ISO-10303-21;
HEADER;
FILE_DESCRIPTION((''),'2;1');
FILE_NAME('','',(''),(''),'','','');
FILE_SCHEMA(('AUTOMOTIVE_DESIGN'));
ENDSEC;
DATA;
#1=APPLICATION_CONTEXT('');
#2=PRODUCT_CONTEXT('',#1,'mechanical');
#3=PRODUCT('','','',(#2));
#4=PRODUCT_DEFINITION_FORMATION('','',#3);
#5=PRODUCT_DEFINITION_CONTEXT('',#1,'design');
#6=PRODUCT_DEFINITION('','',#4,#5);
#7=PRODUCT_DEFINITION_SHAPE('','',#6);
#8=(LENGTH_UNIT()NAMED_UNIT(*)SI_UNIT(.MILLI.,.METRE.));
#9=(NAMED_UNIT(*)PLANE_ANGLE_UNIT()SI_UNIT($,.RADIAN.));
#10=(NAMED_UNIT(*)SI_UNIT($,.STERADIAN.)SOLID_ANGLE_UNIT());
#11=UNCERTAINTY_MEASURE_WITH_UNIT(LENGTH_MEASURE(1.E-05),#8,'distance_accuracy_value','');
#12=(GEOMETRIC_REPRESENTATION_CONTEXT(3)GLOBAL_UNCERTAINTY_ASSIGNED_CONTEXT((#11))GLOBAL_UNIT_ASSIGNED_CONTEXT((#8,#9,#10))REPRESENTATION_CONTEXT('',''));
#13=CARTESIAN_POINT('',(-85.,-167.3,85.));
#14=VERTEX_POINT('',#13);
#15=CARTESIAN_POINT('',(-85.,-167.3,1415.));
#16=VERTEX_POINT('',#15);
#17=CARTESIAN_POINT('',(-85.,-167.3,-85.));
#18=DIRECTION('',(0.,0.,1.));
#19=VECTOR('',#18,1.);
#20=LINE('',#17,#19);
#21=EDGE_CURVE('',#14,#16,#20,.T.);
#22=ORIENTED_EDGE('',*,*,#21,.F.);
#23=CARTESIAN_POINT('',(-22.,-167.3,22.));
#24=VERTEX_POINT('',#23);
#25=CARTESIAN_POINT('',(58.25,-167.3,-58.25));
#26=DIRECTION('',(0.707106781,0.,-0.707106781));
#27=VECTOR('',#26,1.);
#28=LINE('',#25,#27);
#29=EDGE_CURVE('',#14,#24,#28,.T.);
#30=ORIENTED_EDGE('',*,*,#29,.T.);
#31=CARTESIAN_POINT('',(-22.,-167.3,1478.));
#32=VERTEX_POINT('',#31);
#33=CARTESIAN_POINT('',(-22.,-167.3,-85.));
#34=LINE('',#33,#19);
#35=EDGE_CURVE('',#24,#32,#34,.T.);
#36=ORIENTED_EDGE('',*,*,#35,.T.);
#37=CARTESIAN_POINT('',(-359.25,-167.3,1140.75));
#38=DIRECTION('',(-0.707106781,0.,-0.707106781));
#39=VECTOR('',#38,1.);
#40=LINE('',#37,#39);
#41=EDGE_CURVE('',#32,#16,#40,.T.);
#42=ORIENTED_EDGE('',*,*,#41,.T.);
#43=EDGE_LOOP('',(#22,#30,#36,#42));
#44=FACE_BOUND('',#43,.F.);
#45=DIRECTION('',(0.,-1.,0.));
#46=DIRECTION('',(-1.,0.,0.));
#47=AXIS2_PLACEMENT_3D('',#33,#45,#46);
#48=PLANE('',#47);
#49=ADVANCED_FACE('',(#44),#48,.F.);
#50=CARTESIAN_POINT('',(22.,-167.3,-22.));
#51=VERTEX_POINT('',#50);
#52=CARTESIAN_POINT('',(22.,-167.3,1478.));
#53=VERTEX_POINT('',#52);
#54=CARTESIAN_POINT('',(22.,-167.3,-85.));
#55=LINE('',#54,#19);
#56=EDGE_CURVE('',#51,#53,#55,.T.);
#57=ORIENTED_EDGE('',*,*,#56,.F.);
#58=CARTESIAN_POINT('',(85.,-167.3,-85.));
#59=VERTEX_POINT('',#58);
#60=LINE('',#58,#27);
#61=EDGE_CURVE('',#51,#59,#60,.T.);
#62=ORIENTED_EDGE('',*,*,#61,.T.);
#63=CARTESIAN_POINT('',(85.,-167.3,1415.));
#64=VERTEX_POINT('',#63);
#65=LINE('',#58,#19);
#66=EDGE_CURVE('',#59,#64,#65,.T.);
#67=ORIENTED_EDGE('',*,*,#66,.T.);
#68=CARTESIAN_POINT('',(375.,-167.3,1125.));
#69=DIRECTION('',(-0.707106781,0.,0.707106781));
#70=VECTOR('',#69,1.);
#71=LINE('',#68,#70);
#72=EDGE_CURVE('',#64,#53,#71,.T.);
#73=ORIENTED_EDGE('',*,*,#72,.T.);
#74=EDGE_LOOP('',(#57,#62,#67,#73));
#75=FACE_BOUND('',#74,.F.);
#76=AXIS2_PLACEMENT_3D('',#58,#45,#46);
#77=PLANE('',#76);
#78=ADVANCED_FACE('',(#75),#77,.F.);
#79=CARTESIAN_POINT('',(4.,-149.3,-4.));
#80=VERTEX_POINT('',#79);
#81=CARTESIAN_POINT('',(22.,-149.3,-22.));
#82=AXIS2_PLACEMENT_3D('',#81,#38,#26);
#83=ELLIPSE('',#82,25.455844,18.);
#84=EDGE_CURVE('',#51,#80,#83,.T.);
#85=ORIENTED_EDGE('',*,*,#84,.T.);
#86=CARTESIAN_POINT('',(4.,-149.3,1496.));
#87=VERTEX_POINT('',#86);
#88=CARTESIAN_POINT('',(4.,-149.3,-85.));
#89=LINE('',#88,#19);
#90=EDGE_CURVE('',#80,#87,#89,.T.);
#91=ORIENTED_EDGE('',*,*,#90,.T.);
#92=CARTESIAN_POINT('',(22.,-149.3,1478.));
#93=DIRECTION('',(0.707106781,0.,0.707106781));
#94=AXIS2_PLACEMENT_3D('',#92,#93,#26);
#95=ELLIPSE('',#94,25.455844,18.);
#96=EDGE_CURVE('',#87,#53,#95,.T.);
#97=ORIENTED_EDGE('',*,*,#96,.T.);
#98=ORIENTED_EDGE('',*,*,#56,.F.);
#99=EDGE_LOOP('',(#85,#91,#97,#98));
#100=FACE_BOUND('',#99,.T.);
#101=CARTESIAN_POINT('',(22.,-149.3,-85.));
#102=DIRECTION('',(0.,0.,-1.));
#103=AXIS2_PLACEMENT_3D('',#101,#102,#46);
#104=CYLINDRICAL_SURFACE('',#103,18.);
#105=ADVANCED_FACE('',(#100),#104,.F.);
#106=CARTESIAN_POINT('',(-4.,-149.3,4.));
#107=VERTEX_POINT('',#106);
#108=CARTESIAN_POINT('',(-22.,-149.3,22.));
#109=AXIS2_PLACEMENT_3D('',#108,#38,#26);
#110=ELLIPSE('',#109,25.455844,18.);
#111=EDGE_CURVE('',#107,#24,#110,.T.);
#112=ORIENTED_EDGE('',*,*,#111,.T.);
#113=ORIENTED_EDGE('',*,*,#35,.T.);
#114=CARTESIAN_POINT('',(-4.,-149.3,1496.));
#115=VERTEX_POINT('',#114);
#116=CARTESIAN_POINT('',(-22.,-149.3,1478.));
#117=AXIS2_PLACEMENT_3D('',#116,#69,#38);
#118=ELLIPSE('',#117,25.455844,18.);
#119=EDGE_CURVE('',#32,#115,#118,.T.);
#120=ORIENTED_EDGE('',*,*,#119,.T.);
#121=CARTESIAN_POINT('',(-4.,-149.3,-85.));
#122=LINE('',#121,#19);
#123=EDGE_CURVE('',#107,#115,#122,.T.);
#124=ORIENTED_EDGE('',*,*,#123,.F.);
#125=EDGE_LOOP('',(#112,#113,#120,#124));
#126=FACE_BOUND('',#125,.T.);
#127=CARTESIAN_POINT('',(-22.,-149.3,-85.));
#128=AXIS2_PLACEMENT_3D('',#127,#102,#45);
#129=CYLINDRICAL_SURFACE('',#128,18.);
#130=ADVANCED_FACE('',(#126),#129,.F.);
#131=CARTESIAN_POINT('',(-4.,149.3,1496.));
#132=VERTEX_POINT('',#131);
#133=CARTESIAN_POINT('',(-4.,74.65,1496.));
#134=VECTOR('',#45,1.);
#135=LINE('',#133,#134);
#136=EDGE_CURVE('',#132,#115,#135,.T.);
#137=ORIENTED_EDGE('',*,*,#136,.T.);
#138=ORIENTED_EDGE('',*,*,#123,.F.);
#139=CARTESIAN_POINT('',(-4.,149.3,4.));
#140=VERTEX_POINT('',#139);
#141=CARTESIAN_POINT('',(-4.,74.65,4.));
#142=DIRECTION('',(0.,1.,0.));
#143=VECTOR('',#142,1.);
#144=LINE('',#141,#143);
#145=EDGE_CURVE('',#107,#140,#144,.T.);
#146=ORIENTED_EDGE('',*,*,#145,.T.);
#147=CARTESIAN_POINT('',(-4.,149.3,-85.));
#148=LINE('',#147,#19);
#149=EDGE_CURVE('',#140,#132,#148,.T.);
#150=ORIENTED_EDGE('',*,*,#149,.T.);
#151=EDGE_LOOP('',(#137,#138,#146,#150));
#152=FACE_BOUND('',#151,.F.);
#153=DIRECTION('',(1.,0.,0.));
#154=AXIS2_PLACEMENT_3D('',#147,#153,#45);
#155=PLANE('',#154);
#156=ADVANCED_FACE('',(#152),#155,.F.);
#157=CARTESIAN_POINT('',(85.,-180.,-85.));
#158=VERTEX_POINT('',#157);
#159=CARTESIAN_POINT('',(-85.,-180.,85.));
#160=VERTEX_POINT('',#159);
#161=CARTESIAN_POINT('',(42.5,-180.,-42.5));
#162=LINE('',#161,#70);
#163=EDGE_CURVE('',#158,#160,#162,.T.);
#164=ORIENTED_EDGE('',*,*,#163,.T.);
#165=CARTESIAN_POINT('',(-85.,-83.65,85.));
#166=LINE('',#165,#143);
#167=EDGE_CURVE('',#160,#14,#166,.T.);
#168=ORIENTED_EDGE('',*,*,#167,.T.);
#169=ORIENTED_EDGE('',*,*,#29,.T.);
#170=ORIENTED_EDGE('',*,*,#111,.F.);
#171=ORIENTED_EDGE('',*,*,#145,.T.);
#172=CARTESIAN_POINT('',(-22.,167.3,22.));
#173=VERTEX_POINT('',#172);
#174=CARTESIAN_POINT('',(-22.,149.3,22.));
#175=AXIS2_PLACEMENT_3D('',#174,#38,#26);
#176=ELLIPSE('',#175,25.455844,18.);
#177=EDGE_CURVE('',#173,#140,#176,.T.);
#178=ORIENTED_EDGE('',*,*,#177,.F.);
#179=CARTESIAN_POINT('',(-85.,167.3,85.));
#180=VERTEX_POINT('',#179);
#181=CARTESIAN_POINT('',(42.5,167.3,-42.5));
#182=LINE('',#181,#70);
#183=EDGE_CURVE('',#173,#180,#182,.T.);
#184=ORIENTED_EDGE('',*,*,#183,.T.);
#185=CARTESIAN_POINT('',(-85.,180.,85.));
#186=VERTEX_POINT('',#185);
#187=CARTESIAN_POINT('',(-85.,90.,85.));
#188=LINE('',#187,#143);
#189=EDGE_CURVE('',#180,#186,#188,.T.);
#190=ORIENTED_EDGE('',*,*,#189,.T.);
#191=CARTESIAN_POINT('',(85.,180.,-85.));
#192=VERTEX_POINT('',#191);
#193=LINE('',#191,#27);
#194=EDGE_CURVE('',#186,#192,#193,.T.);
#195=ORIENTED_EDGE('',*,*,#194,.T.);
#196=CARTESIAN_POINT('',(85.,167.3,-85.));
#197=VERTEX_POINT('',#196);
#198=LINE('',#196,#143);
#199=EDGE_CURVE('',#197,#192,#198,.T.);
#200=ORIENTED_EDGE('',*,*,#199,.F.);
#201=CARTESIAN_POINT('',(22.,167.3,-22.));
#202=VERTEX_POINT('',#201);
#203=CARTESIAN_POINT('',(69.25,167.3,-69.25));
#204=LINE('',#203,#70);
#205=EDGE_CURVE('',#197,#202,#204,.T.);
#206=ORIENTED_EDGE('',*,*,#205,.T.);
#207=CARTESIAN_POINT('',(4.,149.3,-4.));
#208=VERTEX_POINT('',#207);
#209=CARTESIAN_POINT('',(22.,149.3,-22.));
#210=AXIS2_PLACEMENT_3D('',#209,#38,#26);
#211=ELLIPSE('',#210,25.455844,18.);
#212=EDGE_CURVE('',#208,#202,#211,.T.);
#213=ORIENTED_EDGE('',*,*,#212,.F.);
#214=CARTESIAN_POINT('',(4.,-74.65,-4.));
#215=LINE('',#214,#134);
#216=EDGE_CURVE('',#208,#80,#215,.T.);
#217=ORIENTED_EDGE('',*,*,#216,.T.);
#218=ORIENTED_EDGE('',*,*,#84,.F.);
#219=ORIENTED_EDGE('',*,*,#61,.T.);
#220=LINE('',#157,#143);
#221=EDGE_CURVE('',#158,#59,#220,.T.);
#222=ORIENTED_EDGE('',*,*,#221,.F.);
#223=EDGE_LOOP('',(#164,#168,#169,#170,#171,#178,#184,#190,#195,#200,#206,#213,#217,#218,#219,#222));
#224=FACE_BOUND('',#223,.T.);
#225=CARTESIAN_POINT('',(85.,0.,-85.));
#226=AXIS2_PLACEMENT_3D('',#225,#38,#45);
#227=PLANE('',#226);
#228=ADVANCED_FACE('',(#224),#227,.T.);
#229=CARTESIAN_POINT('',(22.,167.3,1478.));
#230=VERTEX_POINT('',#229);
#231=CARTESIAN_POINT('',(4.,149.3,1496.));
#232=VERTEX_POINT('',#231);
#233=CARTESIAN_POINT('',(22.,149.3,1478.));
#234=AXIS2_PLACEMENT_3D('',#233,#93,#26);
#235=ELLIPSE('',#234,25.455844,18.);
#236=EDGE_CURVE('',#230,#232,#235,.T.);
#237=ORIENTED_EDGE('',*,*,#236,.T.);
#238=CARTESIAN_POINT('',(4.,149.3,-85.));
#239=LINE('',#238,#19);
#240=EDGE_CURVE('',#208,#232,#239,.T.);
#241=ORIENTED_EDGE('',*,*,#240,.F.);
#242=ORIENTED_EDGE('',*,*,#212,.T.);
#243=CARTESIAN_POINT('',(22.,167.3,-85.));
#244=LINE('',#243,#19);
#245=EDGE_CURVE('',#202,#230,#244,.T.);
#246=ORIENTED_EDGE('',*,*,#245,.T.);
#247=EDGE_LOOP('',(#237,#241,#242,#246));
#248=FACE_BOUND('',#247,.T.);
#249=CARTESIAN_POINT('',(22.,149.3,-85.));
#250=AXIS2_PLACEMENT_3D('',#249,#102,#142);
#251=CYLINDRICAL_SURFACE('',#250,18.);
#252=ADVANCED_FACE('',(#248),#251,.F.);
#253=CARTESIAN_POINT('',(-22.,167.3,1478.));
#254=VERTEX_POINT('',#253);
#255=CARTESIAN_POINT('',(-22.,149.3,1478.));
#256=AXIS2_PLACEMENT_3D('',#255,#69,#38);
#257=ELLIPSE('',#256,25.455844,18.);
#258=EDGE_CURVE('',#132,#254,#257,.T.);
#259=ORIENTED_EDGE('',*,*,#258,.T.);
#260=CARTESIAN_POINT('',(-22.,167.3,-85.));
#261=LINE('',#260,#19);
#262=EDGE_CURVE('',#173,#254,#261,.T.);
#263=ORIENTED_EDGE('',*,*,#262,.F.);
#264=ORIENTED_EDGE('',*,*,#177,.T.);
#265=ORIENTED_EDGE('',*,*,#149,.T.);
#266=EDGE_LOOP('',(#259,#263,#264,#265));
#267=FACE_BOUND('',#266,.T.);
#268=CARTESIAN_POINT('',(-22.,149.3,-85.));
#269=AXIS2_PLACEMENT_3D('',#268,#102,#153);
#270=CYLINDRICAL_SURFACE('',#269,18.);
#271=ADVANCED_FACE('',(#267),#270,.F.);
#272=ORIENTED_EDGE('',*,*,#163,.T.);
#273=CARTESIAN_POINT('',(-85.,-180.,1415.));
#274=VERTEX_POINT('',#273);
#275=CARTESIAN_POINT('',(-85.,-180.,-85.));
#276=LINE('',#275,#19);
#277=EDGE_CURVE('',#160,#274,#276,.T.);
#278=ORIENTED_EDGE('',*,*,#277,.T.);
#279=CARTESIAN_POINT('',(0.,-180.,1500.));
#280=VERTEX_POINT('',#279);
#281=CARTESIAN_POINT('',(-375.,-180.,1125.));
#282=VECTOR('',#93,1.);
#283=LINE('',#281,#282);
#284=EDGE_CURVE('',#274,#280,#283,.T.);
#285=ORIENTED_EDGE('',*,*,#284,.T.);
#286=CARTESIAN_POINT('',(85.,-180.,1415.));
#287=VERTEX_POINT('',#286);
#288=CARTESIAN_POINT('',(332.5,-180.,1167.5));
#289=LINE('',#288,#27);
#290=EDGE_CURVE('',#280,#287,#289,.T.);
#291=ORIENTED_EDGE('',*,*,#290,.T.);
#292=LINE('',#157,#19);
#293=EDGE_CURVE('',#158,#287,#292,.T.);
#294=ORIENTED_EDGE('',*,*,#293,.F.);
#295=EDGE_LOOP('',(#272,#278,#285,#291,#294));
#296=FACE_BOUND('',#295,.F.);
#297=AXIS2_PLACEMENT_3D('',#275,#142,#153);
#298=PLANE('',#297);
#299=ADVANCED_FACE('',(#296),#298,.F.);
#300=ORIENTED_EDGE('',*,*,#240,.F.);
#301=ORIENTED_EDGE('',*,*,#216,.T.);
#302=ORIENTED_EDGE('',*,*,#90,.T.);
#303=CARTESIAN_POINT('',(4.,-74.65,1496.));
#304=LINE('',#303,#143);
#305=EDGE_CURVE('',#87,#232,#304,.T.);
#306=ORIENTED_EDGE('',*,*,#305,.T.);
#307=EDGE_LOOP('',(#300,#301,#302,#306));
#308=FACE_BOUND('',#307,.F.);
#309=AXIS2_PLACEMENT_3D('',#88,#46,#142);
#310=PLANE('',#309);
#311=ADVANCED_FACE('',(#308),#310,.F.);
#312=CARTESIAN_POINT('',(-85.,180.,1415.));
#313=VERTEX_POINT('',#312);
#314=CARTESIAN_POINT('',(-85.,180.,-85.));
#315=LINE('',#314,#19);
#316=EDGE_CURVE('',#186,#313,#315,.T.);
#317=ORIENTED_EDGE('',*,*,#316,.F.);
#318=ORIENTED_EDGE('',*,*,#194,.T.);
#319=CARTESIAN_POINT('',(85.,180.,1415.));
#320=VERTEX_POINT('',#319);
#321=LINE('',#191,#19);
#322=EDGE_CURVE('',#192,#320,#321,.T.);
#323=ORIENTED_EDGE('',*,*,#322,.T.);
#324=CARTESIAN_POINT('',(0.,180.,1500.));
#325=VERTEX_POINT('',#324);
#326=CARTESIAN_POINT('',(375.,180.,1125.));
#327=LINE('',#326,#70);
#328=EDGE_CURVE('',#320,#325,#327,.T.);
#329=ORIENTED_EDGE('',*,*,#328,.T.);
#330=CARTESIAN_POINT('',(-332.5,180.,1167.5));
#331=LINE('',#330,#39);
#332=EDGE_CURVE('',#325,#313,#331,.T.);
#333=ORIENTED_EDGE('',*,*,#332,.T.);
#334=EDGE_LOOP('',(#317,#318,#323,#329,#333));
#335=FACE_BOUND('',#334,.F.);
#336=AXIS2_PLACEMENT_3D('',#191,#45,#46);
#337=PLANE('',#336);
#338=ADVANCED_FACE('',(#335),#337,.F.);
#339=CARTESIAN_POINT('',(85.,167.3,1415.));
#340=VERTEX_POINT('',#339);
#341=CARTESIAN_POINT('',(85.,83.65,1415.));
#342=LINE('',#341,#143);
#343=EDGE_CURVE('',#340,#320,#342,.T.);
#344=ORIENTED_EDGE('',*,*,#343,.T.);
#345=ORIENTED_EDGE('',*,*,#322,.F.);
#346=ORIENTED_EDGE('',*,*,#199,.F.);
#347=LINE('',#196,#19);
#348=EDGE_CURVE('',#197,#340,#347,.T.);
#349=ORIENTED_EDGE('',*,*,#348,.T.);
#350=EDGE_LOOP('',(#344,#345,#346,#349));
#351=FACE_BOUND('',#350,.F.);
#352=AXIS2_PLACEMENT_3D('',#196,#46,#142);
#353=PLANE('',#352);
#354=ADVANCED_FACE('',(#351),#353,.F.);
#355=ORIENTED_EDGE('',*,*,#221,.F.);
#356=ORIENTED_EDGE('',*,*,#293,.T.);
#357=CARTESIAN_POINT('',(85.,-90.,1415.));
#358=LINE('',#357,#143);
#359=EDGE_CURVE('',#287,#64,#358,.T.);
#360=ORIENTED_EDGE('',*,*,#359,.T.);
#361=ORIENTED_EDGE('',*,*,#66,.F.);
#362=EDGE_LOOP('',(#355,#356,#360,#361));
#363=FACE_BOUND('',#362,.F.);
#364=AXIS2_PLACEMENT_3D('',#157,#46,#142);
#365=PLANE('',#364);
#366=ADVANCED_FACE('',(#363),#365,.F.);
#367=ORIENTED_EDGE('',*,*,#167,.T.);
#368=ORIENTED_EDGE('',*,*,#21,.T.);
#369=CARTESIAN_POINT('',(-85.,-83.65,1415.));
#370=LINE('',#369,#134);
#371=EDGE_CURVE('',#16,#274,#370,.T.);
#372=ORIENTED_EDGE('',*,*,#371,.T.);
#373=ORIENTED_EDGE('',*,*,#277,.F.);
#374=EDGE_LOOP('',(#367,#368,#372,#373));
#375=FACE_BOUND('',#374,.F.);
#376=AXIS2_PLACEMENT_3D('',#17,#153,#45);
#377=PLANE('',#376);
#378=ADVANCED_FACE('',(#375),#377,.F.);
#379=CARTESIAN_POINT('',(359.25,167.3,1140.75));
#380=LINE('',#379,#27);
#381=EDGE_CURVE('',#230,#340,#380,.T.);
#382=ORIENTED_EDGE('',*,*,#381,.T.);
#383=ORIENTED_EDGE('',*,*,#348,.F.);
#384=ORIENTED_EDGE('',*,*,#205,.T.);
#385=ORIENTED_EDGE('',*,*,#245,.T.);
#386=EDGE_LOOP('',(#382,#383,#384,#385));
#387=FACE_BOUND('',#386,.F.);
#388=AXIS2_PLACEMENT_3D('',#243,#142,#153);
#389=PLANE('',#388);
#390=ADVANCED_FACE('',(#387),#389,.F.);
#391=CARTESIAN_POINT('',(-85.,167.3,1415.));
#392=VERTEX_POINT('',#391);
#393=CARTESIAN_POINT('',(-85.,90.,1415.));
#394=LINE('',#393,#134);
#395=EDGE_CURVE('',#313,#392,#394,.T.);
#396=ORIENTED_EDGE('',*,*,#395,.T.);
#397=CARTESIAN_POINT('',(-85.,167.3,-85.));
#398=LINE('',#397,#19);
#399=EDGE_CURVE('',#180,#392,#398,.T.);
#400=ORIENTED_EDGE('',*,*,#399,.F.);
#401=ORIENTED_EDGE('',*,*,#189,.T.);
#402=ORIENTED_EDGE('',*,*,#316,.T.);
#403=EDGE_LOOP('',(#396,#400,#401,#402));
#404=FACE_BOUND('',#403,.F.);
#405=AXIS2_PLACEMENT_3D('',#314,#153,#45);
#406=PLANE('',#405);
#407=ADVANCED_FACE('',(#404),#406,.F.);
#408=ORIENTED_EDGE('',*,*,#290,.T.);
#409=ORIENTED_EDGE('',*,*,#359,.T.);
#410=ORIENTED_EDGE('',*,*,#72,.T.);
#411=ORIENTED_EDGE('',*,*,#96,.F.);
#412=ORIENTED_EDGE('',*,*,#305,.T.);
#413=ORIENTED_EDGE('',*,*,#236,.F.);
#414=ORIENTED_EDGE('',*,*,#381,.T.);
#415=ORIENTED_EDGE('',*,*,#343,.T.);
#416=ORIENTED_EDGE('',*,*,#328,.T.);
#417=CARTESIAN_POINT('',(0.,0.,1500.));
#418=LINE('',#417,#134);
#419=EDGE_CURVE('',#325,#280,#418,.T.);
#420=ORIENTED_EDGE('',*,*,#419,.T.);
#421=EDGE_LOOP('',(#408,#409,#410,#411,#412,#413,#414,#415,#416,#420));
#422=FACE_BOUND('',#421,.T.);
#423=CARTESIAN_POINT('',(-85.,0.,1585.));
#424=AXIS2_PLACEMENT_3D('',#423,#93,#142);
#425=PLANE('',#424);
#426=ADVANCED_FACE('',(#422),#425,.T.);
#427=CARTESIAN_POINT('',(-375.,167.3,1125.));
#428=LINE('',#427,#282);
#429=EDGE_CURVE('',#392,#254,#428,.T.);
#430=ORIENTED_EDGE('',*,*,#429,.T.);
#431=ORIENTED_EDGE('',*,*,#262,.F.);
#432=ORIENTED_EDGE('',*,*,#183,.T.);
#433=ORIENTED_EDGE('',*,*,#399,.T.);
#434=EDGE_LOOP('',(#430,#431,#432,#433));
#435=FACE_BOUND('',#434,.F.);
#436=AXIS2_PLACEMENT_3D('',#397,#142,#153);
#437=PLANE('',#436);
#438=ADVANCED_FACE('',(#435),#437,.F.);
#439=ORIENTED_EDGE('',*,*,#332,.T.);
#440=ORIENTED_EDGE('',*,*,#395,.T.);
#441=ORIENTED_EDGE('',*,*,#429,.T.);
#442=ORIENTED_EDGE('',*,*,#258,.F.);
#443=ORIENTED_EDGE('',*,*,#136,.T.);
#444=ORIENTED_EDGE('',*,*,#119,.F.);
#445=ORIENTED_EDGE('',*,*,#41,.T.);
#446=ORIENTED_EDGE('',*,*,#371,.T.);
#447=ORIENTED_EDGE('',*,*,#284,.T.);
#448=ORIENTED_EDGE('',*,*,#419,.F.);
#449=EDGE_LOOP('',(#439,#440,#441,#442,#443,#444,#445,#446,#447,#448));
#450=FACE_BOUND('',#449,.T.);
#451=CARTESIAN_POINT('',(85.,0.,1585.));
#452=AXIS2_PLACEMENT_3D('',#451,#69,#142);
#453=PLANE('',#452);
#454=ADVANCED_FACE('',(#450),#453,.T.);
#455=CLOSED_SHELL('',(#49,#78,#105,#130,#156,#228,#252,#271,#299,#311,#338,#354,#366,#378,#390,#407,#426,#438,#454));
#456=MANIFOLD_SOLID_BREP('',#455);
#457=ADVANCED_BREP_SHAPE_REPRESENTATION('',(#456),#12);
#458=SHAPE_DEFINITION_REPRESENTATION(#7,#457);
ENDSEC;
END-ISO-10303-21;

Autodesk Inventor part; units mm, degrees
ref_plane "Start Plane" through (0, 0, -85) normal (0, 0, 1) x (1, 0, 0)
ref_plane "End Plane" through (0, 0, 1500) normal (0, 0, 1) x (1, 0, 0)
sketch "Sketch" plane through (0, 0, 0) normal (0, 0, 1) x (1, 0, 0)
  line L0 (-85, 167.3) -> (-22, 167.3)
  line L1 (-85, 180) -> (-85, 167.3)
  line L2 (85, 180) -> (-85, 180)
  line L3 (85, 167.3) -> (85, 180)
  line L4 (22, 167.3) -> (85, 167.3)
  line L5 (4, -149.3) -> (4, 149.3)
  line L6 (85, -167.3) -> (22, -167.3)
  line L7 (85, -180) -> (85, -167.3)
  line L8 (-85, -167.3) -> (-85, -180)
  line L9 (-22, -167.3) -> (-85, -167.3)
  line L10 (-4, 149.3) -> (-4, -149.3)
  line L11 (0, -252) -> (0, 252) construction
  line L12 (-4, -167.3) -> (4, -167.3) construction
  arc A0 (-22, -167.3) -> (-4, -149.3) centre (-22, -149.3) ccw
  arc A1 (-4, 149.3) -> (-22, 167.3) centre (-22, 149.3) ccw
  arc A2 (22, 167.3) -> (4, 149.3) centre (22, 149.3) ccw
  arc A3 (4, -149.3) -> (22, -167.3) centre (22, -149.3) ccw
  line L13 (-119, 0) -> (119, 0) construction
  line L14 (-85, -180) -> (85, -180)
  point P0 (-4, 167.3)
  point P1 (4, 167.3)
  point P2 (0, 0)
  point P3 (0, -167.3)
  point P4 (0, 0)
  dimension "d1" = 360
  dimension "d3" = 12.7
  dimension "d5" = 8
  dimension "d7" = 170
  dimension "d13" = 18
  dimension "d14" = 180
  dimension "d15" = 85
extrude "Body" add sketch "Sketch" along normal up to surface (1585 mm away) from surface at -85
sketch "Sketch3" plane through (0, 0, 0) normal (0, 0, 1) x (1, 0, 0)
  line L0 (0, 0) -> (10, 0)
ref_plane "Work Plane3" through (0, 0, 0) normal (0, -1, 0) x (1, 0, 0)
ref_plane "Work Plane4" through (85, 0, 1585) normal (-0.7071, 0, 0.7071) x (0.7071, 0, 0.7071)
split "Split1" plane through (85, 0, 1585) removes the side toward (-0.7071, 0, 0.7071)
ref_plane "Work Plane5" through (85, 0, -85) normal (-0.7071, 0, -0.7071) x (-0.7071, 0, 0.7071)
split "Split2" plane through (85, 0, -85) removes the side toward (-0.7071, 0, -0.7071)
ref_plane "Work Plane6" through (-85, 0, 1585) normal (0.7071, 0, 0.7071) x (0.7071, 0, -0.7071)
split "Split3" plane through (-85, 0, 1585) removes the side toward (0.7071, 0, 0.7071)
sketch "Sketch4" plane through (0, 0, 0) normal (0, -1, 0) x (1, 0, 0)
  line L0 (-2, -85) -> (12, -85) projected
  line L1 (-2, 1500) -> (12, 1500) projected
  dimension "d19" = 1585
equation "\"d1\" = ParH"
equation "\"d3\" = t2"
equation "\"d5\" = t1"
equation "\"d7\" = b"
equation "\"d13\" = R1"
equation "\"d14\" = 0.5 * d1"
equation "\"d15\" = 0.5 * d7"
equation "\"d8\" = G_L"
equation "\"b\" = 170"
equation "\"ParH\" = 360"
equation "\"R1\" = 18"
equation "\"G_L\" = d19"
equation "\"t1\" = 8"
equation "\"t2\" = 12.7"
equation "\"G_OFFSET_START\" = 85"
equation "\"G_OFFSET_END\" = 0"
equation "\"d16\" = -G_OFFSET_START"
properties part number "DIN 1025 - IPE 360-1585" material "Steel, Mild"
